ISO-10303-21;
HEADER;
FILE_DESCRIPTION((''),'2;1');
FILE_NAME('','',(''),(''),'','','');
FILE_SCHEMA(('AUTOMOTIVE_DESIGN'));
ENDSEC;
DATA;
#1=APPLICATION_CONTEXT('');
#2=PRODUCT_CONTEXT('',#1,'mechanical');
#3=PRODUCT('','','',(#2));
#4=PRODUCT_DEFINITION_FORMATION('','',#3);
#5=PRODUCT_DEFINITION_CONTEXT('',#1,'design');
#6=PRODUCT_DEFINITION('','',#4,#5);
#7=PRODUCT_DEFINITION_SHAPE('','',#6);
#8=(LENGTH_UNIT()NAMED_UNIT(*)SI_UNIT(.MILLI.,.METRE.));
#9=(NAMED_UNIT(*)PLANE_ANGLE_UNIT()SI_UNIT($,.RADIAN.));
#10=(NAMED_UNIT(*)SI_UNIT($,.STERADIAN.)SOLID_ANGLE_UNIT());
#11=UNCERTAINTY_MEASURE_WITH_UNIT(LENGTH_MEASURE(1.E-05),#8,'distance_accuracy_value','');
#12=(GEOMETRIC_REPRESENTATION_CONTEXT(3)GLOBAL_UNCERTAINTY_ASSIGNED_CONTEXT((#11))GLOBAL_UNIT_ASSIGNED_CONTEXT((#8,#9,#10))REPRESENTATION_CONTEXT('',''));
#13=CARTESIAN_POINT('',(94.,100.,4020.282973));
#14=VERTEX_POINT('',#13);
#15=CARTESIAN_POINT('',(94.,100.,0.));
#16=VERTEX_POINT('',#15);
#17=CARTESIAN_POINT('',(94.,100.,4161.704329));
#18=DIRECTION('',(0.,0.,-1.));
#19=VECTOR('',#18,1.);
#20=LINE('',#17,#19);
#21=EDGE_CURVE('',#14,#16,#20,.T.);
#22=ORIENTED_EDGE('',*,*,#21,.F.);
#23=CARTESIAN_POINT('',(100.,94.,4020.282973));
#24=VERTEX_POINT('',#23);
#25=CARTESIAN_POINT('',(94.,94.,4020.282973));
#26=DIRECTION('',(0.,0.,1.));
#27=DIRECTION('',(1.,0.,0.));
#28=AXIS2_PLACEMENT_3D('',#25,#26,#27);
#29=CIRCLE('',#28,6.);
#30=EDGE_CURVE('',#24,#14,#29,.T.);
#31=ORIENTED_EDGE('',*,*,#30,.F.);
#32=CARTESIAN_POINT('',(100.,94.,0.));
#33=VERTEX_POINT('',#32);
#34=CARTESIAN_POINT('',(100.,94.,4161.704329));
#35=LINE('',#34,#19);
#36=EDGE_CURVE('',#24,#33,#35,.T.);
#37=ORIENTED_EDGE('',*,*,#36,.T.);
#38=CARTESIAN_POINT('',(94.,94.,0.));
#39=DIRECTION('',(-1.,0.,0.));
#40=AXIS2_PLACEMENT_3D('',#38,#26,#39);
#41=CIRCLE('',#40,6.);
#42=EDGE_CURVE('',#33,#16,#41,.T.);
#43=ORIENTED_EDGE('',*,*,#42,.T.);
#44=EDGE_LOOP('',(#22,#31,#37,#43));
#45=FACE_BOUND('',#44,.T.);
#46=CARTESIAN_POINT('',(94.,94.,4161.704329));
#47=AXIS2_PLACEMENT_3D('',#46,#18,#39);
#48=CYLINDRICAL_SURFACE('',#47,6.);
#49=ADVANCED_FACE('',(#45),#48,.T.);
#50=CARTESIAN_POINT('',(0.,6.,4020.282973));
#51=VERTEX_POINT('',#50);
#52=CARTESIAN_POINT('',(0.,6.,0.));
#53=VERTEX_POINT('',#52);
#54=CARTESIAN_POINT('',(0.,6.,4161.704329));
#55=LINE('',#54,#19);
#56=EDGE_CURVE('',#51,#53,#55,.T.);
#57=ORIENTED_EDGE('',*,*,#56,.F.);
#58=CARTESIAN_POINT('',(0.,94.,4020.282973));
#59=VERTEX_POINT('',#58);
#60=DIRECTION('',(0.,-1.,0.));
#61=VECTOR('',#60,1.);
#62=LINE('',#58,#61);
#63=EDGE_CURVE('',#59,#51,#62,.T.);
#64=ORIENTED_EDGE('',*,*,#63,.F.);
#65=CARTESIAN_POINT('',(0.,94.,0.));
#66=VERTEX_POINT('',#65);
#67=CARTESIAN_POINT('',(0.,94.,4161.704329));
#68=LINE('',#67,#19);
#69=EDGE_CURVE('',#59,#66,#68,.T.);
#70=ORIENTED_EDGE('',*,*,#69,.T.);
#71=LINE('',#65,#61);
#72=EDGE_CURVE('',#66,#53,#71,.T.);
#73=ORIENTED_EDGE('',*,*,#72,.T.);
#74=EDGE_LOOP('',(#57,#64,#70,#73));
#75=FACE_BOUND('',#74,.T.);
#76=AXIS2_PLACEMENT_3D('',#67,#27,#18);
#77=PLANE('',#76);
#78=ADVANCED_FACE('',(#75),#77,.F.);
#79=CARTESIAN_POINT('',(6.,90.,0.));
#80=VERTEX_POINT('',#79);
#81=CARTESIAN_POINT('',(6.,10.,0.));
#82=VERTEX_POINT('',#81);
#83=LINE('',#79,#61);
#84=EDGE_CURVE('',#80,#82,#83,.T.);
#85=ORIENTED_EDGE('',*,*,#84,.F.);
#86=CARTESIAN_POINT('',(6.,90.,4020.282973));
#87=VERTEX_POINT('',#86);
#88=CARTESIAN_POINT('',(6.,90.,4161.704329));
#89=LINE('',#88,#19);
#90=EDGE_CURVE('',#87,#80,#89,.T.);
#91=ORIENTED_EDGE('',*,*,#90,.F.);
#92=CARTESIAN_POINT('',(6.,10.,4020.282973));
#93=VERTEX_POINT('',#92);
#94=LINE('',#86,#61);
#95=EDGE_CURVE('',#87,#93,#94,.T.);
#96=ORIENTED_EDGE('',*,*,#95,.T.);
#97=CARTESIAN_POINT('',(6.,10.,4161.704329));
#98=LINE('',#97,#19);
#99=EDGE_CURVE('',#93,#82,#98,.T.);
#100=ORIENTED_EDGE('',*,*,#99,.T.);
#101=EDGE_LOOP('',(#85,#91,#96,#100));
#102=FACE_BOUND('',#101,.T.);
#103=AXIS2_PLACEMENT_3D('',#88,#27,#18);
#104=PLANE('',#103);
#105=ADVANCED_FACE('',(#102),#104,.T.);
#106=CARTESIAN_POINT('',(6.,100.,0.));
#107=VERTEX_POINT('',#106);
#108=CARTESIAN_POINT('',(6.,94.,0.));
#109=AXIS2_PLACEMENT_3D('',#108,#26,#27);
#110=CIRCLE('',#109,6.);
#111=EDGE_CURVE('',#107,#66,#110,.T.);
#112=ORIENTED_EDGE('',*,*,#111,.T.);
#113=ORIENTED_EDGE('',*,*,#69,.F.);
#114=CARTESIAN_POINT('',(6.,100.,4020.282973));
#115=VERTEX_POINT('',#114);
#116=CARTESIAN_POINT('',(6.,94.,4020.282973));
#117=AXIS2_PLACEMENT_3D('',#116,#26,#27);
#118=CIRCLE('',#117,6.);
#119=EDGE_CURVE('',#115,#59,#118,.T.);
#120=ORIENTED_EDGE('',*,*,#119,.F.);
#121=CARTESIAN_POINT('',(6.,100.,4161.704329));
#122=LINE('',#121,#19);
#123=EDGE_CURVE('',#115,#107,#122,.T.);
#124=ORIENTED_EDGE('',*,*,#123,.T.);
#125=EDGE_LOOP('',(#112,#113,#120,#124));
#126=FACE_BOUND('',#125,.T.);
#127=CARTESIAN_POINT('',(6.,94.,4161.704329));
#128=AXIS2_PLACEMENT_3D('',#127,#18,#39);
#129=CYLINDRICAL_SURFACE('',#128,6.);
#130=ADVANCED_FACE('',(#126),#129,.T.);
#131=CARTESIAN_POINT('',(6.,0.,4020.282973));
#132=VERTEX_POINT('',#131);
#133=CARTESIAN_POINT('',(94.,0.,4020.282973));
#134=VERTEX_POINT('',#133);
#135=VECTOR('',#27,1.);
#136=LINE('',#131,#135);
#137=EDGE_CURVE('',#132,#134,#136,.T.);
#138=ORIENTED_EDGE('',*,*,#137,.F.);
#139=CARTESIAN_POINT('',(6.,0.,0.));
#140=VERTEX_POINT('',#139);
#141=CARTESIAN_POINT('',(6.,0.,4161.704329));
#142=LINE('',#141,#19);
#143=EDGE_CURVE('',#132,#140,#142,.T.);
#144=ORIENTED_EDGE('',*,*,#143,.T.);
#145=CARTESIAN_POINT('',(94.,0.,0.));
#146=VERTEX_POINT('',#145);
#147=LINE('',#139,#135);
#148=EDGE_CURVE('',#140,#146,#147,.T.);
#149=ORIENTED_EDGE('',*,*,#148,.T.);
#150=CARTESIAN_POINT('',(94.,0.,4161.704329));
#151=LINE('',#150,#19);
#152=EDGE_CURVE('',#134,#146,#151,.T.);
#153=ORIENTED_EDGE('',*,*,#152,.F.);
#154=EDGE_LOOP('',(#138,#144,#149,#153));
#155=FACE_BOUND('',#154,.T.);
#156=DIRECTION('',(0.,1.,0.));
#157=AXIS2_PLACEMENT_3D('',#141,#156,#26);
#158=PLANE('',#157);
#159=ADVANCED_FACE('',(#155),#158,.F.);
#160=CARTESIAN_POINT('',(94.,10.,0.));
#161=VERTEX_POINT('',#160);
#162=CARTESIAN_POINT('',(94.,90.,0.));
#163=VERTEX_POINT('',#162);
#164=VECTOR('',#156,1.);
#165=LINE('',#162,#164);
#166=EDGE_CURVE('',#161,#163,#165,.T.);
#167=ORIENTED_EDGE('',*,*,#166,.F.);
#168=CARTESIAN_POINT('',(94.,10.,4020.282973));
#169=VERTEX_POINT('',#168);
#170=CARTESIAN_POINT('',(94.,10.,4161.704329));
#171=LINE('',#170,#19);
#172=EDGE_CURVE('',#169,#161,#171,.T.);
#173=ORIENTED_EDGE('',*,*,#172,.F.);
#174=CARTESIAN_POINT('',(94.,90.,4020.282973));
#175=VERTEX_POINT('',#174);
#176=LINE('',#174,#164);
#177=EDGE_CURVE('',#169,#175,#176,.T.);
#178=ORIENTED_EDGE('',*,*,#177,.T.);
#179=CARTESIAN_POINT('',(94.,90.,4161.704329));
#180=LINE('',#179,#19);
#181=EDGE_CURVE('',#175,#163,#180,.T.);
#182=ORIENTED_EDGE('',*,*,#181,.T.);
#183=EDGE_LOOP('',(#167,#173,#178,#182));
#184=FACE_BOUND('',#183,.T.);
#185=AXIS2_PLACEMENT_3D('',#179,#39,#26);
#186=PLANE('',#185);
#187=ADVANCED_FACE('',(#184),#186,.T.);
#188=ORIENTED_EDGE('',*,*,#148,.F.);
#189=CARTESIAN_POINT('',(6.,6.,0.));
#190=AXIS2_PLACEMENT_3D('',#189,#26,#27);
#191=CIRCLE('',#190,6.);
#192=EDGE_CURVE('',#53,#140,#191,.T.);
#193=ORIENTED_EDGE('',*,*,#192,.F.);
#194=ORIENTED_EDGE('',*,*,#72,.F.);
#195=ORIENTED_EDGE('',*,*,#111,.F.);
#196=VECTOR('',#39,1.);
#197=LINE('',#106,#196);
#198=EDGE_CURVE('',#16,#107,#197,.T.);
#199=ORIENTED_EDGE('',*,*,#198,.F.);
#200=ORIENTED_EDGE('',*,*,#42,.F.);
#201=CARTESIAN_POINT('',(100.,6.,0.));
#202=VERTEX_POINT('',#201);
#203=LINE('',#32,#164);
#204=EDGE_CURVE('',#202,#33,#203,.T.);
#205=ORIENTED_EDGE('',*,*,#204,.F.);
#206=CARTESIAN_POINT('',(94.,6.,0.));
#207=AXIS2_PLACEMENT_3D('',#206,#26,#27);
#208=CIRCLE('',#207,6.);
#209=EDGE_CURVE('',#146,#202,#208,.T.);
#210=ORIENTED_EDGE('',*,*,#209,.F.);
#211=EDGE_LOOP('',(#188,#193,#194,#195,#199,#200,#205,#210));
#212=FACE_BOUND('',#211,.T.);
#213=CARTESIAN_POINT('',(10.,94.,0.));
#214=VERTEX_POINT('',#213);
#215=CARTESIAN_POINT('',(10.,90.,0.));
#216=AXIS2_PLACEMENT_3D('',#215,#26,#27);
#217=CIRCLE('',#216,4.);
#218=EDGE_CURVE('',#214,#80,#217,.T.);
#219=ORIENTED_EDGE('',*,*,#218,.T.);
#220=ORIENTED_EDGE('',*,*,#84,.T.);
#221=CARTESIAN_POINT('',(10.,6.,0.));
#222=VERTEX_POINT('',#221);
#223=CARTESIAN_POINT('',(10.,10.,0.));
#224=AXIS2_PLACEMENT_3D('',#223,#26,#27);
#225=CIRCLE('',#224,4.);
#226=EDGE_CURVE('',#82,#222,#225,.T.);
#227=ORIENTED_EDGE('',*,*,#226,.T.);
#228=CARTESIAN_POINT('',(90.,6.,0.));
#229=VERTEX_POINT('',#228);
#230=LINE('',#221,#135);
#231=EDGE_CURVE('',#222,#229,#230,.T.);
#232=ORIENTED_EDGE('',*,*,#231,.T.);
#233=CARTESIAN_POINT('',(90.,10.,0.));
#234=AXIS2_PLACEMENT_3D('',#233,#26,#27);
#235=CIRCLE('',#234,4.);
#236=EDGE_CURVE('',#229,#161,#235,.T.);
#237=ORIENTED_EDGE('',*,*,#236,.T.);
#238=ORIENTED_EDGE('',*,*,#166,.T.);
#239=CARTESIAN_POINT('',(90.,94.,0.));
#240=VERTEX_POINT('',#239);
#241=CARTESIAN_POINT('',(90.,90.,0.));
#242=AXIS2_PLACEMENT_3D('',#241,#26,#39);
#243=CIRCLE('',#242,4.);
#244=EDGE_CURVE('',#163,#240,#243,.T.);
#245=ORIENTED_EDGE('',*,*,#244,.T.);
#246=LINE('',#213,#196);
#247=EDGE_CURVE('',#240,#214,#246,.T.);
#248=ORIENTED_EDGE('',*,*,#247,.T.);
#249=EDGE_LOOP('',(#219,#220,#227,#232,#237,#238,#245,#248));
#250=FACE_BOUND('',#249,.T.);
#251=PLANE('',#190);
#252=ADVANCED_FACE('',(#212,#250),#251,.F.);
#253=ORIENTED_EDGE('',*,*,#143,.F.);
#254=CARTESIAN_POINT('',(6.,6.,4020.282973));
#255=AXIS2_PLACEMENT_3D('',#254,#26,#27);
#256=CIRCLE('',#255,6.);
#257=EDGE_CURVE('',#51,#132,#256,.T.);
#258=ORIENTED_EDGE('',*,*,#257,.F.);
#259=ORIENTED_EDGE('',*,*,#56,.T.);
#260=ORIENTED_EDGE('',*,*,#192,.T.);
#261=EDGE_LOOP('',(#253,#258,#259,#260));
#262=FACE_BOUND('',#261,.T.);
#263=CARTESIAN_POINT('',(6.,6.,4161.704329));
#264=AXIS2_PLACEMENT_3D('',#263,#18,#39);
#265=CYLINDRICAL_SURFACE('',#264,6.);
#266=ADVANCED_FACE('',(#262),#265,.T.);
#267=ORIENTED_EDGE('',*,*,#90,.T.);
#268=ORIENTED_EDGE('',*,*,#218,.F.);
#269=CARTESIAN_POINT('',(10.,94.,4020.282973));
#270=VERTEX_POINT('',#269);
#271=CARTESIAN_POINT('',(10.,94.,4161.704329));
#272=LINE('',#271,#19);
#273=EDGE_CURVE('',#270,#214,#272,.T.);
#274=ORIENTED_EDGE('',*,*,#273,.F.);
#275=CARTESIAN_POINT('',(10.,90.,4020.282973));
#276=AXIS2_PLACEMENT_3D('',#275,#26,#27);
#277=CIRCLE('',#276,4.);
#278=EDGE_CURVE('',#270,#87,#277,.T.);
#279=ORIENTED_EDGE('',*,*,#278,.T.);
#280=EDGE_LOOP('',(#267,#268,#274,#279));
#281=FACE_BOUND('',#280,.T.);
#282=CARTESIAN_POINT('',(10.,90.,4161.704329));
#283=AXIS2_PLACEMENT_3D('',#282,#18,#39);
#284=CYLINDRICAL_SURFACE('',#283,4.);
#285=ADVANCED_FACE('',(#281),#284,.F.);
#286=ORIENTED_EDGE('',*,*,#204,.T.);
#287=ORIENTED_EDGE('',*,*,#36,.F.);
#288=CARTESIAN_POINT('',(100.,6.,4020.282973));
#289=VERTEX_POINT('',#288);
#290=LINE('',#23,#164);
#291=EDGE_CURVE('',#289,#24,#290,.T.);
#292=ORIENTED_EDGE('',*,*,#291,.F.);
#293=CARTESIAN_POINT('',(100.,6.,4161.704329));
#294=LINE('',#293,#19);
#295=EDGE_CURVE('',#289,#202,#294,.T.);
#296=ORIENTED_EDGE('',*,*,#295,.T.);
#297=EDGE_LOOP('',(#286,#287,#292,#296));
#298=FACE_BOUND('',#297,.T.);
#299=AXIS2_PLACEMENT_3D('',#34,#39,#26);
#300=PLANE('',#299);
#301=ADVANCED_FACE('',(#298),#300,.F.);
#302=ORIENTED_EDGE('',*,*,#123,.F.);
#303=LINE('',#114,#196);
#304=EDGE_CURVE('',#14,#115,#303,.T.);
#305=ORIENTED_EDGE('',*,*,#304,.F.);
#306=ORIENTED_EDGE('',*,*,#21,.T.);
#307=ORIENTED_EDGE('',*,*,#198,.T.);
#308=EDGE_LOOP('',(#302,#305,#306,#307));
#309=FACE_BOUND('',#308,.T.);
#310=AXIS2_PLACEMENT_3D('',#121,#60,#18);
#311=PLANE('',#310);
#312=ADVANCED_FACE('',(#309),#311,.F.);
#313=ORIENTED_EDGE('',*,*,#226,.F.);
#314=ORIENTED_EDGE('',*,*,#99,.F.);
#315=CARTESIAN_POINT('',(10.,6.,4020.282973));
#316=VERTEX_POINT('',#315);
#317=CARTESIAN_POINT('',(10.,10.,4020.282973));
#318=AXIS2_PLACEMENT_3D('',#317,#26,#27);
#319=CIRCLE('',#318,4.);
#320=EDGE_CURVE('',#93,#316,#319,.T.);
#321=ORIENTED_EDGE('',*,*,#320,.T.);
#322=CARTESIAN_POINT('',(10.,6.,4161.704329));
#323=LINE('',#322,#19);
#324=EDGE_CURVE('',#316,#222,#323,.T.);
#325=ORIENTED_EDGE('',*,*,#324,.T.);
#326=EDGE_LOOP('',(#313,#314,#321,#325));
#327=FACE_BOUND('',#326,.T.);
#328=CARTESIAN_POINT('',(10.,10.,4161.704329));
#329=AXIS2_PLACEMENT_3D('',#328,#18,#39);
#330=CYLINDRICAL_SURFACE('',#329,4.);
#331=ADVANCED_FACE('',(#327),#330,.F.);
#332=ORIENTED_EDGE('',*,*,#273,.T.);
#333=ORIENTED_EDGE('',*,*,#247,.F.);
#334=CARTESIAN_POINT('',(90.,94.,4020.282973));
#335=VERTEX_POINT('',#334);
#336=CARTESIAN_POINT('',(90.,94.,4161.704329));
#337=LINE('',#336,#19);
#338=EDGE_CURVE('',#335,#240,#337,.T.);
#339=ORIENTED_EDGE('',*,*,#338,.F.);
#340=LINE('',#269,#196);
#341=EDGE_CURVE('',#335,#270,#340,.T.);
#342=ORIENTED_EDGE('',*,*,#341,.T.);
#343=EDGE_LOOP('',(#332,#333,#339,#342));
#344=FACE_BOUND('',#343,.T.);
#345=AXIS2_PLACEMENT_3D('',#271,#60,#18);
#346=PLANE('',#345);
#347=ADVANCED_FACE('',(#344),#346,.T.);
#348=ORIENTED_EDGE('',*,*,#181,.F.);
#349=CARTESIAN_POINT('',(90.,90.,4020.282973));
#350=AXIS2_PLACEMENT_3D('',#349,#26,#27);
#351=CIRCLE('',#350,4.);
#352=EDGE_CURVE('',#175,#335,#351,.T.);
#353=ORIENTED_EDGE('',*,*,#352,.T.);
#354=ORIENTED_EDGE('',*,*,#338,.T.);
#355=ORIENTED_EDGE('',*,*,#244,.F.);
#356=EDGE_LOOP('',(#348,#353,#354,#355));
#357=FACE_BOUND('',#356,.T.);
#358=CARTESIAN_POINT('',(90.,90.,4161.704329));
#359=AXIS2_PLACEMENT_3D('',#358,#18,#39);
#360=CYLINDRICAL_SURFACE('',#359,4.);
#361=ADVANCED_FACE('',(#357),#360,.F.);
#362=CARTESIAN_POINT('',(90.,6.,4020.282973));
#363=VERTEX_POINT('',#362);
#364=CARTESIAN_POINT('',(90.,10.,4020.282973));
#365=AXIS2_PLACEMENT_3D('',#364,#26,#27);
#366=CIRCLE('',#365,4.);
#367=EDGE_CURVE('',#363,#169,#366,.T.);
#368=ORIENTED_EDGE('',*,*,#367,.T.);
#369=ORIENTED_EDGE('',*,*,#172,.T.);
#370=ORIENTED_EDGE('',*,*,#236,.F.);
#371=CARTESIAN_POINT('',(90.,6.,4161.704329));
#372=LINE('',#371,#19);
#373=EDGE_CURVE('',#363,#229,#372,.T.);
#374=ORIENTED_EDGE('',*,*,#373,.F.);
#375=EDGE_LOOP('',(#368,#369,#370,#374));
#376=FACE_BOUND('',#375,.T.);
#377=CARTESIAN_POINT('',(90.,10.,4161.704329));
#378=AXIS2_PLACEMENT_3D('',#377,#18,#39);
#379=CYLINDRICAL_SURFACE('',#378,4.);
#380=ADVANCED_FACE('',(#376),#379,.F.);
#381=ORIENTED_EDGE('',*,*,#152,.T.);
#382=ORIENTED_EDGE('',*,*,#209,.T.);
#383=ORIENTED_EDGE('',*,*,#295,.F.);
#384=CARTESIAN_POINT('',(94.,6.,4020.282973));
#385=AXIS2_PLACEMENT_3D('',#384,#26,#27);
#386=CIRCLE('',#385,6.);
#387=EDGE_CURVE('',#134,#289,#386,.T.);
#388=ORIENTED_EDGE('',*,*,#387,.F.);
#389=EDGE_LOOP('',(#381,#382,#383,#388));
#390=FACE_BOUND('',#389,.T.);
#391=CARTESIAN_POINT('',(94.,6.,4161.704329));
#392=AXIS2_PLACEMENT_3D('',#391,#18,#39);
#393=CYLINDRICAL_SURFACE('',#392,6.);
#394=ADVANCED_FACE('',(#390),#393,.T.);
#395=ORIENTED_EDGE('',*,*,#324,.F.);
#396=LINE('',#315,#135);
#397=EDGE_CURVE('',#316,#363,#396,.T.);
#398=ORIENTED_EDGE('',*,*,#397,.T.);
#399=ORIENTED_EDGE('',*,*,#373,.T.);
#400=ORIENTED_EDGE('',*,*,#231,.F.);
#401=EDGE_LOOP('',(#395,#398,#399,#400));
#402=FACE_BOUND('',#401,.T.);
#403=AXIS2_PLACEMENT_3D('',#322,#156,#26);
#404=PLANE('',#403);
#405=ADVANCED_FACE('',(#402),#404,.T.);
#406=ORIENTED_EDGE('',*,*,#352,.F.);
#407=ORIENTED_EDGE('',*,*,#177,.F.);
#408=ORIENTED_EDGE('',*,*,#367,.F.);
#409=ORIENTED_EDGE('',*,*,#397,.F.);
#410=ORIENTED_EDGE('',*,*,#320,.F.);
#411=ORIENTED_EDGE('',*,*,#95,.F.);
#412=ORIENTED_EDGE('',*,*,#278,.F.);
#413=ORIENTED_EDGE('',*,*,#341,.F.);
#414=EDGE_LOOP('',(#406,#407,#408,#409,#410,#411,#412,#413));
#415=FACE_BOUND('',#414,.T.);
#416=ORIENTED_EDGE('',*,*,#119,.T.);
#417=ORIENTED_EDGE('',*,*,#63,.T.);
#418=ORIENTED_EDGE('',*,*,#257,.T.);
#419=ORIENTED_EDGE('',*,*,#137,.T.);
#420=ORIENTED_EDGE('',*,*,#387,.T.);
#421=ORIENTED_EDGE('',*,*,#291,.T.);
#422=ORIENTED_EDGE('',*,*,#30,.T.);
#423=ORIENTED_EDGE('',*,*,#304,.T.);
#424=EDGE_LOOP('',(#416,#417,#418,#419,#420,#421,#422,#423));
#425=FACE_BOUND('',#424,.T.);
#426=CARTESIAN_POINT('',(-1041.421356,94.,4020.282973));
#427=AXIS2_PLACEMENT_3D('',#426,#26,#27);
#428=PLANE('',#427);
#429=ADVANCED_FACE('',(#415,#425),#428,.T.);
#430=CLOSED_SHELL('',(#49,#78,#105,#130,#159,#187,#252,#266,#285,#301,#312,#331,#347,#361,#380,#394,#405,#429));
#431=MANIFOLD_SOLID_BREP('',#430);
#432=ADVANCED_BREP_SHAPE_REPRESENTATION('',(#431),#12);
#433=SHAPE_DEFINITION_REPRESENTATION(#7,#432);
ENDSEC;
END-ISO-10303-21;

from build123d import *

# Parameters (mm, degrees)
EXTRUDE_1_DEPTH = 4020.282972524


with BuildPart() as part:
    # Эскиз1 → Бобышка-Вытянуть1 (new body)
    with BuildSketch(Plane.XY):
        with BuildLine():
            Line((6, 100), (94, 100))
            ThreePointArc((94, 100), (98.242640687, 98.242640687), (100, 94))
            Line((100, 94), (100, 6))
            ThreePointArc((100, 6), (98.242640687, 1.757359313), (94, 0))
            Line((94, 0), (6, 0))
            ThreePointArc((6, 0), (1.757359313, 1.757359313), (0, 6))
            Line((0, 6), (0, 94))
            ThreePointArc((0, 94), (1.757359313, 98.242640687), (6, 100))
        make_face()
        with BuildLine():
            Line((10, 94), (90, 94))
            ThreePointArc((90, 94), (92.828427125, 92.828427125), (94, 90))
            Line((94, 90), (94, 10))
            ThreePointArc((94, 10), (92.828427125, 7.171572875), (90, 6))
            Line((90, 6), (10, 6))
            ThreePointArc((10, 6), (7.171572875, 7.171572875), (6, 10))
            Line((6, 10), (6, 90))
            ThreePointArc((6, 90), (7.171572875, 92.828427125), (10, 94))
        make_face(mode=Mode.SUBTRACT)
    extrude(amount=EXTRUDE_1_DEPTH)


solid = part.part
